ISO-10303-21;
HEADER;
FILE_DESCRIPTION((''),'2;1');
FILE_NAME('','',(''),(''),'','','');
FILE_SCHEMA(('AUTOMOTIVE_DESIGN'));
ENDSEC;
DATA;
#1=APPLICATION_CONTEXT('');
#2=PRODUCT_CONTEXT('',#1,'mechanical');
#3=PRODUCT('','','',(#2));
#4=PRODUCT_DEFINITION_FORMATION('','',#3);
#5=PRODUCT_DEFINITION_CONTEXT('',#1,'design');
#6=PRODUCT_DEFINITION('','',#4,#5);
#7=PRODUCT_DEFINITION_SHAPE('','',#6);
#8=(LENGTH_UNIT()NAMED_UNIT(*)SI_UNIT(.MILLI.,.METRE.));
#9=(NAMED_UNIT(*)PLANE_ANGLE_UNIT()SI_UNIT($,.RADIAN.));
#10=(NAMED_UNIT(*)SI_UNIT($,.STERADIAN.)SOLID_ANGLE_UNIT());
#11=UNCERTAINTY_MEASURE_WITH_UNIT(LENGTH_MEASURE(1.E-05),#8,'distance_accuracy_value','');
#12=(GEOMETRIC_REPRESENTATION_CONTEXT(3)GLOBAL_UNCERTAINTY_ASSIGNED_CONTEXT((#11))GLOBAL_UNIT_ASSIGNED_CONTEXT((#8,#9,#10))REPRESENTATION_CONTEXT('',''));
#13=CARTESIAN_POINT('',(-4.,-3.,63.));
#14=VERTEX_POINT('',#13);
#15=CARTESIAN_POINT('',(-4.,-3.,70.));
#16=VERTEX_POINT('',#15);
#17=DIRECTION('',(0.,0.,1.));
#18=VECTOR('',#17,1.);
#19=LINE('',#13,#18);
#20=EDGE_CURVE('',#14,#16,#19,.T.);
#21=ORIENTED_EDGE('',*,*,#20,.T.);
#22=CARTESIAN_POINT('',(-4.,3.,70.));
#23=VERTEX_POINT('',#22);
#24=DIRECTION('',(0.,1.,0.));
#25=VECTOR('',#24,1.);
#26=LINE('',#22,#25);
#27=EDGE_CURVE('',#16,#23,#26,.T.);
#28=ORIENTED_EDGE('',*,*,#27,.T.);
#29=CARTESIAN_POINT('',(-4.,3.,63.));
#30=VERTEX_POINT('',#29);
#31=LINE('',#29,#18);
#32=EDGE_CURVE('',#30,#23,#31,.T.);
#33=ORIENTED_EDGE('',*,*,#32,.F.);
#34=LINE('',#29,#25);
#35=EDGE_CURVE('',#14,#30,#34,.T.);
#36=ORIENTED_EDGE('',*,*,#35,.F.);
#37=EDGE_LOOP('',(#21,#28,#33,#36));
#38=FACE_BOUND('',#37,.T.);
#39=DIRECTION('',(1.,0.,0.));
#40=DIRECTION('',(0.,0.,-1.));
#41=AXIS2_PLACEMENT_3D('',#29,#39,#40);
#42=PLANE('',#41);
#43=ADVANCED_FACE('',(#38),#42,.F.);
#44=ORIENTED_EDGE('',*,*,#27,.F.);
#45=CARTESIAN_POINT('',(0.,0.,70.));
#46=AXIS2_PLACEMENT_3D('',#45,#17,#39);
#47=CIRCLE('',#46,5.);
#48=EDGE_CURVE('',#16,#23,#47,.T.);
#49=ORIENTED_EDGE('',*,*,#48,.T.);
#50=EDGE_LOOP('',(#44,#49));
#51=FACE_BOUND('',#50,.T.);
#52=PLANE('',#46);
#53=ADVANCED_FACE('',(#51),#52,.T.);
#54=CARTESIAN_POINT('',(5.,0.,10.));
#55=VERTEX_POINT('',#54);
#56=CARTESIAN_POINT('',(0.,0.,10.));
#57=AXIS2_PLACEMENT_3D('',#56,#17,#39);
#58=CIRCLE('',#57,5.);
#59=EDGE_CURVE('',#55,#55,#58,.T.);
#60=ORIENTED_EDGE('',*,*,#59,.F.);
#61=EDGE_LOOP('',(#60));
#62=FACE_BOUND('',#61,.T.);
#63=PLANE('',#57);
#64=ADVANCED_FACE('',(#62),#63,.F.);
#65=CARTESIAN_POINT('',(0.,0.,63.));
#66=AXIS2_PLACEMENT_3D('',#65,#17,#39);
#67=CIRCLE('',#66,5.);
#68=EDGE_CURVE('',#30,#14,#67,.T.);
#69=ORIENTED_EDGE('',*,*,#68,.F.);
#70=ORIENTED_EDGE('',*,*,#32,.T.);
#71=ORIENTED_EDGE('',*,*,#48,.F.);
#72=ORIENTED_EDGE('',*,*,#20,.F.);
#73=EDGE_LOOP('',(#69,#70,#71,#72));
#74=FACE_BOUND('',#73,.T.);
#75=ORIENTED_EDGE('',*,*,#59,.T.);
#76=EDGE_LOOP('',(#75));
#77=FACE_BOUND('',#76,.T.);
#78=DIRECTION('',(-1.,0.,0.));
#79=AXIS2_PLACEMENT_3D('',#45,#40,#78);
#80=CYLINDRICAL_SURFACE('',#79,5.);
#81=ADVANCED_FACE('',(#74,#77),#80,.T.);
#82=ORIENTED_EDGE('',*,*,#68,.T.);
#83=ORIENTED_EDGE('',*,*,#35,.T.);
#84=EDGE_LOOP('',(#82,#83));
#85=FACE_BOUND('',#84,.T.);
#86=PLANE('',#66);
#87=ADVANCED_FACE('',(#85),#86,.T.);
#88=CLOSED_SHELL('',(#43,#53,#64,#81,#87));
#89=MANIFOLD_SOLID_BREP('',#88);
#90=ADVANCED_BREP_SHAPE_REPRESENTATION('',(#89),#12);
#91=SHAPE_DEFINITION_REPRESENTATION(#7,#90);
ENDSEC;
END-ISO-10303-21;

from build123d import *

# Parameters (mm, degrees)
BOSS_EXTRUDE1_START = 10
SKETCH1_R           = 5
BOSS_EXTRUDE1_DEPTH = 60
CUT_EXTRUDE1_DEPTH  = 7


with BuildPart() as part:
    # Sketch1 → Boss-Extrude1 (new body)
    with BuildSketch(Plane.XY.offset(BOSS_EXTRUDE1_START)):
        Circle(SKETCH1_R)
    extrude(amount=BOSS_EXTRUDE1_DEPTH)

    # Sketch2 → Cut-Extrude1 (cut)
    with BuildSketch(Plane.XY.offset(70)):
        with BuildLine():
            Line((-4, 3), (-4, -3))
            ThreePointArc((-4, -3), (-5, 0), (-4, 3))
        make_face()
    extrude(amount=-CUT_EXTRUDE1_DEPTH, mode=Mode.SUBTRACT)


solid = part.part
